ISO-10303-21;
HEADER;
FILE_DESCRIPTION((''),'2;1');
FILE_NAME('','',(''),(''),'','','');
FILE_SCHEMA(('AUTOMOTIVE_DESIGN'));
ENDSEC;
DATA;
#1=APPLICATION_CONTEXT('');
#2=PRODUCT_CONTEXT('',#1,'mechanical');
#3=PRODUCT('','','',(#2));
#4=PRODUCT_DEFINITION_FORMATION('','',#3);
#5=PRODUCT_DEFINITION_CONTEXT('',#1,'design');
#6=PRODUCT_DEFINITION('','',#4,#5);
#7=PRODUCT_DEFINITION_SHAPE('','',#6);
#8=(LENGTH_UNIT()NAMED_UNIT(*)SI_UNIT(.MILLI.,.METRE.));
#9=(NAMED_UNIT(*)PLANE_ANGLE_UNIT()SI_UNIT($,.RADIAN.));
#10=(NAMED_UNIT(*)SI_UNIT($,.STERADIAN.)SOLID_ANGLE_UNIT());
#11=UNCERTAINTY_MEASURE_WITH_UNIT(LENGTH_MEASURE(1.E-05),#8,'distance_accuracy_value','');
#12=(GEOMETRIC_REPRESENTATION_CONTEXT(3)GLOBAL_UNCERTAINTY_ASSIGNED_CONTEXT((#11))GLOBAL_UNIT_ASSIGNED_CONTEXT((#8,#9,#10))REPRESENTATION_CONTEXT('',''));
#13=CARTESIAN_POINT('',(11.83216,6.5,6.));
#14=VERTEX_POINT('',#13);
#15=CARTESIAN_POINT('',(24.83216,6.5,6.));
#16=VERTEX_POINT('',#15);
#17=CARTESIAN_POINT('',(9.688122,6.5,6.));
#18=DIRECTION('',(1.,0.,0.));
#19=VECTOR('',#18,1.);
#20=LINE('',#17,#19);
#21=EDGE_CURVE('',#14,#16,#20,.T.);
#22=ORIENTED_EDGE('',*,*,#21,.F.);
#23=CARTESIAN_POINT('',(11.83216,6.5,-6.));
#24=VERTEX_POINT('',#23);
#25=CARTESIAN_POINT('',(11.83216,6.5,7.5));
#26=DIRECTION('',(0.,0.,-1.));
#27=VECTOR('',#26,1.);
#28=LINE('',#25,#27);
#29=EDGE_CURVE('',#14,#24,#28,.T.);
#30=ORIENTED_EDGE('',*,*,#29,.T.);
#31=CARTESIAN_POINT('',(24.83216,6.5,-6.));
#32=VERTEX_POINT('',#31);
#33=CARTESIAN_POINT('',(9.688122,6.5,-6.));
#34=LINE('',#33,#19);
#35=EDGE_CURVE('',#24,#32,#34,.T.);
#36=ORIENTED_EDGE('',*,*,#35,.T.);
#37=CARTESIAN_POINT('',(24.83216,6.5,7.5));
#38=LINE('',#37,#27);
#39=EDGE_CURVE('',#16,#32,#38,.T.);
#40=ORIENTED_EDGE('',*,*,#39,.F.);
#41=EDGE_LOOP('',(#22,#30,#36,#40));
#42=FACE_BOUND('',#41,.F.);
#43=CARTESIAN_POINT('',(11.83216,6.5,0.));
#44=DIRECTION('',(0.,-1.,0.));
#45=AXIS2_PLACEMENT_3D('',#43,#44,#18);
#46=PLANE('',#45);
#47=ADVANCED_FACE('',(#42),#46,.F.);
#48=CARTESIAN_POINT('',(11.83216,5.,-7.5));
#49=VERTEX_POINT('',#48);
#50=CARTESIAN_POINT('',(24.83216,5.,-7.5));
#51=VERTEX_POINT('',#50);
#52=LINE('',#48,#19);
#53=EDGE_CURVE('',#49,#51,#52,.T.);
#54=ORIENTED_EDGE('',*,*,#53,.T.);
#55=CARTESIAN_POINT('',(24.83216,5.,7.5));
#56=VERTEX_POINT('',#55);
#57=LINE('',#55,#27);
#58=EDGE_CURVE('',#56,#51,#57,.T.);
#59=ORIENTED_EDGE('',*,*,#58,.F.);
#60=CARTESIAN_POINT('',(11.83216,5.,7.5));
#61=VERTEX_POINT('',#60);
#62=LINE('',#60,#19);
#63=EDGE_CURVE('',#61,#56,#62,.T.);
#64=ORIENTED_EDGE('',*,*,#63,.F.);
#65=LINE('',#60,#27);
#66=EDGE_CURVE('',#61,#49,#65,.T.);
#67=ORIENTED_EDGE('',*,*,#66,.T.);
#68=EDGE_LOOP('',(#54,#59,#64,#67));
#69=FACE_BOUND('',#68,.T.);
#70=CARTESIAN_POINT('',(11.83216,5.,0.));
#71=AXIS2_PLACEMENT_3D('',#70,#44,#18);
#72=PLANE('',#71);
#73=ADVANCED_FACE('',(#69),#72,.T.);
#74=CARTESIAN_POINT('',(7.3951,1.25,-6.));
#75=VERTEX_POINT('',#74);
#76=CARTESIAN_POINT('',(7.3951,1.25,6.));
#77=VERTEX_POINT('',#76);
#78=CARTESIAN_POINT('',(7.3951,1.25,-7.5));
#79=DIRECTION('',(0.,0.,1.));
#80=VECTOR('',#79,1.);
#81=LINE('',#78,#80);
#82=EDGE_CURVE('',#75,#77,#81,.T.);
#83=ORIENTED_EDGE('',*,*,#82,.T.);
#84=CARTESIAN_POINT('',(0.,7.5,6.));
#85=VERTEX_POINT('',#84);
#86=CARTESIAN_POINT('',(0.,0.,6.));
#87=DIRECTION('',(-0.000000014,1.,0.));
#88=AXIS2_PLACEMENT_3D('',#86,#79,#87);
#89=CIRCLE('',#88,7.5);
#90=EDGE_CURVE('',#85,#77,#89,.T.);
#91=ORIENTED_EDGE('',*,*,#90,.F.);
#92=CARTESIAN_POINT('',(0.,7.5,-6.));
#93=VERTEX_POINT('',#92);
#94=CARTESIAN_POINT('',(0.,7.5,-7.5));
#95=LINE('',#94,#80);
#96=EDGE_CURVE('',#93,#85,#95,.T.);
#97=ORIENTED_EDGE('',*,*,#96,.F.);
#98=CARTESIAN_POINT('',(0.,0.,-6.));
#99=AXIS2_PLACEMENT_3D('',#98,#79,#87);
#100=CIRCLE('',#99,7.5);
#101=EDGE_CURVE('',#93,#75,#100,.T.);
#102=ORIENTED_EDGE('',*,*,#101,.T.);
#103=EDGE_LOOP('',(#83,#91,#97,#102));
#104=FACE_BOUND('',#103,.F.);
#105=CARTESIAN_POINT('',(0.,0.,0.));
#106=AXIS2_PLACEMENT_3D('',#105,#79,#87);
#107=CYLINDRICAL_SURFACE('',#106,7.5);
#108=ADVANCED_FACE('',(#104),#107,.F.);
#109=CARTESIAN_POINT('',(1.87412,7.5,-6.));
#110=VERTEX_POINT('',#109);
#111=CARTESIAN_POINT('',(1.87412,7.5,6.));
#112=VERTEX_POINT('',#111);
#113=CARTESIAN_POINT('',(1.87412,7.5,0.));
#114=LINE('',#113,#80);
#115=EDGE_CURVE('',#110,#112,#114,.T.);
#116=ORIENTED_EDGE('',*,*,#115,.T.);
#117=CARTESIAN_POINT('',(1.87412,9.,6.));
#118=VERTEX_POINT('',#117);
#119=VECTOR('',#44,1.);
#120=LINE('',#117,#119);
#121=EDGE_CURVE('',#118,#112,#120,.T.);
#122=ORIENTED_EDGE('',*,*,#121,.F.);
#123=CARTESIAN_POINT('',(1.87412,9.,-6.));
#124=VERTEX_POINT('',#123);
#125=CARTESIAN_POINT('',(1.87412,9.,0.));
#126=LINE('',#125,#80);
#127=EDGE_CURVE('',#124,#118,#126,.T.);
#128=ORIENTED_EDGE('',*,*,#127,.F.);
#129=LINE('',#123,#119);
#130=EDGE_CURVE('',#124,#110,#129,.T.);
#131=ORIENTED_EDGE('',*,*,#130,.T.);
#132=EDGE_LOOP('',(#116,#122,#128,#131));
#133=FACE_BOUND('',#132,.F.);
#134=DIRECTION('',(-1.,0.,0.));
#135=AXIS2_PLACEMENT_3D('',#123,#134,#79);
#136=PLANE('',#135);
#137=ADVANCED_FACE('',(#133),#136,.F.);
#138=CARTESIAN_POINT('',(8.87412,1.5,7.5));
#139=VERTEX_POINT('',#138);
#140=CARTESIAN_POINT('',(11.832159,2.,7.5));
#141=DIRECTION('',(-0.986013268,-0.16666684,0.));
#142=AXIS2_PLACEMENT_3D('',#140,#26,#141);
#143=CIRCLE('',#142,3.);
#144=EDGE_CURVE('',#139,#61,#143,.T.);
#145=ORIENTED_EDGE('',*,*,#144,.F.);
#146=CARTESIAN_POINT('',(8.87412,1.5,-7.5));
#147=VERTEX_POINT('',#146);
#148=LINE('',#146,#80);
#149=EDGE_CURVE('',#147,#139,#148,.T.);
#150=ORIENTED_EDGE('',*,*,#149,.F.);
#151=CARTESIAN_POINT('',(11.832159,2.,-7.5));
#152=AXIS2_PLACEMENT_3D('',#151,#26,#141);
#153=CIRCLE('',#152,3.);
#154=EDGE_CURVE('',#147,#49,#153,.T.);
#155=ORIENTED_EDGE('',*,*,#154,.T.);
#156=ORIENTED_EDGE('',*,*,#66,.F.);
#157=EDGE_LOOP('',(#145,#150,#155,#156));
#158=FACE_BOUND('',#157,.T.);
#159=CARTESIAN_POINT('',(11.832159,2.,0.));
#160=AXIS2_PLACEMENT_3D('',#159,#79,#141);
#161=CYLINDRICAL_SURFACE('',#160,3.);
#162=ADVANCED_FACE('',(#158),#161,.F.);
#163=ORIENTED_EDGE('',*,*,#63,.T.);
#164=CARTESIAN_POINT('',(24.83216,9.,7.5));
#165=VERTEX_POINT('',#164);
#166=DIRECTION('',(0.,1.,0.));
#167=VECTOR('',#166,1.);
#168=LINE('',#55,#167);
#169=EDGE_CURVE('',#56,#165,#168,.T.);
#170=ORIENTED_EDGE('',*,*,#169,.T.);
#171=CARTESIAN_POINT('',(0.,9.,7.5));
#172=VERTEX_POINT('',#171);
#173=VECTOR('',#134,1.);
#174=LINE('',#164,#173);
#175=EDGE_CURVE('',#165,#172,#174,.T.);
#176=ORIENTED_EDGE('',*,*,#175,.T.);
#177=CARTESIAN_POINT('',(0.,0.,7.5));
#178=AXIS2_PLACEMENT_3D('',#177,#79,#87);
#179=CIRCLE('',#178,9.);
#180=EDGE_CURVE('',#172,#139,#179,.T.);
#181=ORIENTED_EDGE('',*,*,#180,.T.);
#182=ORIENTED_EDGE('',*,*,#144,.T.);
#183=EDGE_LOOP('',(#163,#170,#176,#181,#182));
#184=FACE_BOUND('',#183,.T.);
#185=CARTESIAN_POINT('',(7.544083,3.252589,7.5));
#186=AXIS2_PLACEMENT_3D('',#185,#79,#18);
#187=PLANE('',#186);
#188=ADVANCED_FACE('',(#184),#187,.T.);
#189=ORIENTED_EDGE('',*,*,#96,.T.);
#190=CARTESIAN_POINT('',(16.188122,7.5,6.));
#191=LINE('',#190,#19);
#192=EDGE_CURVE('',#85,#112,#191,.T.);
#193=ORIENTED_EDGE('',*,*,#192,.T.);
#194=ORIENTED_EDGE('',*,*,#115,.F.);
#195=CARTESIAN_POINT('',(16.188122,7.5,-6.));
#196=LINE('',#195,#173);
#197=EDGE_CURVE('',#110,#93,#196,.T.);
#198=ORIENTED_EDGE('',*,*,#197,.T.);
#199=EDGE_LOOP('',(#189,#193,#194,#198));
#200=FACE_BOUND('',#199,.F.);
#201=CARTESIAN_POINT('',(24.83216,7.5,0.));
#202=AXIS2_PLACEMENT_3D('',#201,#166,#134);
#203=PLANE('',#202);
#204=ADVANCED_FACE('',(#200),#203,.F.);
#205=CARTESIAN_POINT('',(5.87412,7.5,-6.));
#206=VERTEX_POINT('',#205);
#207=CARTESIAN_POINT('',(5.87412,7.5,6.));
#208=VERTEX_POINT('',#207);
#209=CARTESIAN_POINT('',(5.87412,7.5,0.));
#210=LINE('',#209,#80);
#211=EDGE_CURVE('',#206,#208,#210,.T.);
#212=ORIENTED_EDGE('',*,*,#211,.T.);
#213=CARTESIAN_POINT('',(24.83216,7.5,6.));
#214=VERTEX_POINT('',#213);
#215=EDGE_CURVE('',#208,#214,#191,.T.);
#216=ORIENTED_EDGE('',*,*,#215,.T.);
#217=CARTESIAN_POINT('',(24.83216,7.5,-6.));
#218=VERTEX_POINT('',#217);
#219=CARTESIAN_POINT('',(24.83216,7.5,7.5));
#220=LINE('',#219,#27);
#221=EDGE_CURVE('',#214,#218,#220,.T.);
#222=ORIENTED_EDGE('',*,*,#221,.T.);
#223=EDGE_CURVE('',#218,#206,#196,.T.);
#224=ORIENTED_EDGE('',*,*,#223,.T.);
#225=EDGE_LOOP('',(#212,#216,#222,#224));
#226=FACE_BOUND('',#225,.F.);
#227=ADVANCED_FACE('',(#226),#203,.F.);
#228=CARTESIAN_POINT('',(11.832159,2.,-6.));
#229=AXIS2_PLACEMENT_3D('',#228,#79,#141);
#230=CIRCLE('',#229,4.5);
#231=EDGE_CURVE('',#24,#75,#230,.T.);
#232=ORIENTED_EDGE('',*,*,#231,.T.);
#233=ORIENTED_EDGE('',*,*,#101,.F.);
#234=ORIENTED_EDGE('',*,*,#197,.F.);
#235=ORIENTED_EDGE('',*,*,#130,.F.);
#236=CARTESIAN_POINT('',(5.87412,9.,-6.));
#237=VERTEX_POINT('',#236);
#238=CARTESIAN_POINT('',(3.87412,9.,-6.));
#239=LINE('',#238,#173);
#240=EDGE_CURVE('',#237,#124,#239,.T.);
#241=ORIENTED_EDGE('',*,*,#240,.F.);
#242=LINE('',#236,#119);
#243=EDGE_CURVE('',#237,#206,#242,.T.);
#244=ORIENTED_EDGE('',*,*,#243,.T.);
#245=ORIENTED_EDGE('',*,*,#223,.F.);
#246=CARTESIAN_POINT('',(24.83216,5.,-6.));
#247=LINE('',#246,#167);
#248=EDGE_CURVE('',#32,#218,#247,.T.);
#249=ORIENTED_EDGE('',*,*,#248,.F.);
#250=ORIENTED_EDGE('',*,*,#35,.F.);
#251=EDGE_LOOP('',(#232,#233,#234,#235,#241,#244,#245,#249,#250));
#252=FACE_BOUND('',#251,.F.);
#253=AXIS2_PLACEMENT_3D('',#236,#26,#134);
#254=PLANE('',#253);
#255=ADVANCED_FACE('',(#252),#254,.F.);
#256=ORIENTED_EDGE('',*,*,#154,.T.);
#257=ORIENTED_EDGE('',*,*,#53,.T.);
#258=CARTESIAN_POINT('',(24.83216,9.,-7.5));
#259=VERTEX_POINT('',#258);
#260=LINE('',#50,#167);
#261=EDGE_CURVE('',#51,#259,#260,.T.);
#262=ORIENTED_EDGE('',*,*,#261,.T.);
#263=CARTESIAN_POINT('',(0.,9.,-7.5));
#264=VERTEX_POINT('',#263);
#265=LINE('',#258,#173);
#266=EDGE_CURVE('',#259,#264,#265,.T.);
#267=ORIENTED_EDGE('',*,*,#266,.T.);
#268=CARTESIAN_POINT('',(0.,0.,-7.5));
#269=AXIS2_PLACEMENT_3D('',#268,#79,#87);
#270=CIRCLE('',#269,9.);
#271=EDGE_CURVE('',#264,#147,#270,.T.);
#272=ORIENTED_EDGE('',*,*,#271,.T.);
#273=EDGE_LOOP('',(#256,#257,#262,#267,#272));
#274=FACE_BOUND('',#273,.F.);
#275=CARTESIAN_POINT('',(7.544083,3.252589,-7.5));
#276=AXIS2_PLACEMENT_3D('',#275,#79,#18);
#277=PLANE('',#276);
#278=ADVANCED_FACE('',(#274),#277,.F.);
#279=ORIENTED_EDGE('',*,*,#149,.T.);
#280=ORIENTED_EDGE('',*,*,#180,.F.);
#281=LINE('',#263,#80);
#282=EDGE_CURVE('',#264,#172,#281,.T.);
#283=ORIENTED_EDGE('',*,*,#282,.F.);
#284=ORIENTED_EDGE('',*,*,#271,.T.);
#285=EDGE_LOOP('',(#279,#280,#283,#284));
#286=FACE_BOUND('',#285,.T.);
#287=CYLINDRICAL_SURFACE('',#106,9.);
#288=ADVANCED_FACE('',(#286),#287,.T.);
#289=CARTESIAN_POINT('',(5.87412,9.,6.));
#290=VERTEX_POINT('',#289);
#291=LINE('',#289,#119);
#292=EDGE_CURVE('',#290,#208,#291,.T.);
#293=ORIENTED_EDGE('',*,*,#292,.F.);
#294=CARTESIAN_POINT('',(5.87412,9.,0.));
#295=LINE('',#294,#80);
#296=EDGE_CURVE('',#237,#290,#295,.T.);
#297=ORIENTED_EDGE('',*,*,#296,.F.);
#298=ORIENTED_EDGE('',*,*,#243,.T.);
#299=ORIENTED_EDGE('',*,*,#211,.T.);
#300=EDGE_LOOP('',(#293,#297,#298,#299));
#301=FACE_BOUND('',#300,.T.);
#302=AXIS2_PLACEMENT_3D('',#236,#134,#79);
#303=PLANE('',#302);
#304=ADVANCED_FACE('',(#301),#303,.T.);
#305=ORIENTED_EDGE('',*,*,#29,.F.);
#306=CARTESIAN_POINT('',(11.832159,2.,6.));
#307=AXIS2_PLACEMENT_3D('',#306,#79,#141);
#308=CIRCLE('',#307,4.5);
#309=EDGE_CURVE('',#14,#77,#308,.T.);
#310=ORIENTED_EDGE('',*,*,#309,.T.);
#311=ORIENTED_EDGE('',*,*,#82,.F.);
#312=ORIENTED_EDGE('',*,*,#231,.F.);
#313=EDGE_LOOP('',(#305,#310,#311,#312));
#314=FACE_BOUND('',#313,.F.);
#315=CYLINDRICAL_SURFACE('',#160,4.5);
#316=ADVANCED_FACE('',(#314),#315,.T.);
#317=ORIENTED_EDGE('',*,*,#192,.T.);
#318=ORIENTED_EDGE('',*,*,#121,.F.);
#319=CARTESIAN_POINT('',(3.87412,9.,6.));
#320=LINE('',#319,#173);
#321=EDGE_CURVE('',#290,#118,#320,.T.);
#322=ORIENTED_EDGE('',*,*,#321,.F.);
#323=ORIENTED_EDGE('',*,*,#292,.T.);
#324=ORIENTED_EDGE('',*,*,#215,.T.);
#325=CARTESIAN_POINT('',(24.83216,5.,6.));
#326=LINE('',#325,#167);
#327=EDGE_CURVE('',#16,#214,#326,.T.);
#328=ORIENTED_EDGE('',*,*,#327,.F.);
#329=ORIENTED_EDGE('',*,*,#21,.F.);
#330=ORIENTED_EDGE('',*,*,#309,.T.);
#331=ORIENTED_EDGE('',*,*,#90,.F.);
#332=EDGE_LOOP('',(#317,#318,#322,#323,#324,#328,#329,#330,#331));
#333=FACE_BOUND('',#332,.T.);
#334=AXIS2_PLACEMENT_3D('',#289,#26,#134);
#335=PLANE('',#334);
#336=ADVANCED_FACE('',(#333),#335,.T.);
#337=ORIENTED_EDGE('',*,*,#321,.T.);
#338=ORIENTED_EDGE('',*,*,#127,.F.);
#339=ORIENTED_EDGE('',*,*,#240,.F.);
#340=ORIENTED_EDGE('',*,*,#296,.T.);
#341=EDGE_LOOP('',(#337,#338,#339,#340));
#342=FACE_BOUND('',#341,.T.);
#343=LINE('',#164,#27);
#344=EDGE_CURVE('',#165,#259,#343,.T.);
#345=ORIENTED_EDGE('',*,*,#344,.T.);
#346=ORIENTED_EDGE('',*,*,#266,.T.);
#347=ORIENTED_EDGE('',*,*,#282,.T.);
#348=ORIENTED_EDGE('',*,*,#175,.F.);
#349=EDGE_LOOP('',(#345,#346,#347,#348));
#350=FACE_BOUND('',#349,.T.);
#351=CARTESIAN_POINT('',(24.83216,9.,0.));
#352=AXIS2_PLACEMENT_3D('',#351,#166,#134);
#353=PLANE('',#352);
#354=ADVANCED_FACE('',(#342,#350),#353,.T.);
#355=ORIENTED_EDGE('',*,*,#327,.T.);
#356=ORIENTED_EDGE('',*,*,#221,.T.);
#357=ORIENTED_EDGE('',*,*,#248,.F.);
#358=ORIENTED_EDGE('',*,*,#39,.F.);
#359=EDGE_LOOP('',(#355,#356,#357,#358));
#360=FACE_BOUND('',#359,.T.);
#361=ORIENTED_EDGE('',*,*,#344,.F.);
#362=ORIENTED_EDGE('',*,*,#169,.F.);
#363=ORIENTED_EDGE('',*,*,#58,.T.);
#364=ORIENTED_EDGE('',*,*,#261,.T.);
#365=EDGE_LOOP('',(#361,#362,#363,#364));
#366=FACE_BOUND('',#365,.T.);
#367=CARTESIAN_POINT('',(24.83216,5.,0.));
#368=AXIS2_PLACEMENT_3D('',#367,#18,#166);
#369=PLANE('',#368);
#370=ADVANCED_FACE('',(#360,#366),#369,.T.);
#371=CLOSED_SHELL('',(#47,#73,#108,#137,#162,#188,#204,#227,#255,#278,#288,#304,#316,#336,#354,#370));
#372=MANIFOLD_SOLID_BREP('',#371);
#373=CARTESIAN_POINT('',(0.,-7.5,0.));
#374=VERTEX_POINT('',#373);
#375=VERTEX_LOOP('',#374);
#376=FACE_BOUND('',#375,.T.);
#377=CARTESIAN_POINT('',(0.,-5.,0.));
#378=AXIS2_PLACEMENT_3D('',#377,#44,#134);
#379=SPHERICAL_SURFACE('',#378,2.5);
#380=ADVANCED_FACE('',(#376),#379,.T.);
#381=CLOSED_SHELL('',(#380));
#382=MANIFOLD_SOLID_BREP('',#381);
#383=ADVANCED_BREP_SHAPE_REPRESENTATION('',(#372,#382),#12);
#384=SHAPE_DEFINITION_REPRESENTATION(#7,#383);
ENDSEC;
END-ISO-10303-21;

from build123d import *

# Parameters (mm, degrees)
F1_DEPTH = 7.5
F2_T     = -1.5
F3_W     = 4
F3_H     = 12
F4_DEPTH = 1.5


with BuildPart() as f1:
    # F0 (on Top) → F1 (new body, symmetric)
    with BuildSketch(Plane.XY):
        with BuildLine():
            Line((24.83216, 9), (0, 9))
            ThreePointArc((0, 9), (-5.809475, -6.873864), (8.87412, 1.5))
            ThreePointArc((8.87412, 1.5), (9.540872, 3.936492), (11.83216, 5))
            Line((11.83216, 5), (24.83216, 5))
            Line((24.83216, 5), (24.83216, 9))
        make_face()
    extrude(amount=F1_DEPTH, both=True)

    # F2
    f2_openings = [f1.faces().sort_by_distance(p)[0] for p in [
        (24.83216, 7, 0),
    ]]
    offset(amount=F2_T, openings=f2_openings)

    # F3 (on face) → F4 (cut)
    with BuildSketch(Plane(origin=(0, 9, 0), x_dir=(-1, 0, 0), z_dir=(0, 1, 0))):
        with Locations((-3.87412, 0)):
            Rectangle(F3_W, F3_H)
    extrude(amount=-F4_DEPTH, mode=Mode.SUBTRACT)


with BuildPart() as f6:
    # F5 (on Top) → F6 (revolve)
    with BuildSketch(Plane.XY):
        with BuildLine():
            Line((0, -7.5), (0, -2.5))
            ThreePointArc((0, -2.5), (-2.5, -5), (0, -7.5))
        make_face()
    revolve(axis=Axis((0, -5, 0), (0, -1, 0)))


solid = Compound([f1.part, f6.part])
